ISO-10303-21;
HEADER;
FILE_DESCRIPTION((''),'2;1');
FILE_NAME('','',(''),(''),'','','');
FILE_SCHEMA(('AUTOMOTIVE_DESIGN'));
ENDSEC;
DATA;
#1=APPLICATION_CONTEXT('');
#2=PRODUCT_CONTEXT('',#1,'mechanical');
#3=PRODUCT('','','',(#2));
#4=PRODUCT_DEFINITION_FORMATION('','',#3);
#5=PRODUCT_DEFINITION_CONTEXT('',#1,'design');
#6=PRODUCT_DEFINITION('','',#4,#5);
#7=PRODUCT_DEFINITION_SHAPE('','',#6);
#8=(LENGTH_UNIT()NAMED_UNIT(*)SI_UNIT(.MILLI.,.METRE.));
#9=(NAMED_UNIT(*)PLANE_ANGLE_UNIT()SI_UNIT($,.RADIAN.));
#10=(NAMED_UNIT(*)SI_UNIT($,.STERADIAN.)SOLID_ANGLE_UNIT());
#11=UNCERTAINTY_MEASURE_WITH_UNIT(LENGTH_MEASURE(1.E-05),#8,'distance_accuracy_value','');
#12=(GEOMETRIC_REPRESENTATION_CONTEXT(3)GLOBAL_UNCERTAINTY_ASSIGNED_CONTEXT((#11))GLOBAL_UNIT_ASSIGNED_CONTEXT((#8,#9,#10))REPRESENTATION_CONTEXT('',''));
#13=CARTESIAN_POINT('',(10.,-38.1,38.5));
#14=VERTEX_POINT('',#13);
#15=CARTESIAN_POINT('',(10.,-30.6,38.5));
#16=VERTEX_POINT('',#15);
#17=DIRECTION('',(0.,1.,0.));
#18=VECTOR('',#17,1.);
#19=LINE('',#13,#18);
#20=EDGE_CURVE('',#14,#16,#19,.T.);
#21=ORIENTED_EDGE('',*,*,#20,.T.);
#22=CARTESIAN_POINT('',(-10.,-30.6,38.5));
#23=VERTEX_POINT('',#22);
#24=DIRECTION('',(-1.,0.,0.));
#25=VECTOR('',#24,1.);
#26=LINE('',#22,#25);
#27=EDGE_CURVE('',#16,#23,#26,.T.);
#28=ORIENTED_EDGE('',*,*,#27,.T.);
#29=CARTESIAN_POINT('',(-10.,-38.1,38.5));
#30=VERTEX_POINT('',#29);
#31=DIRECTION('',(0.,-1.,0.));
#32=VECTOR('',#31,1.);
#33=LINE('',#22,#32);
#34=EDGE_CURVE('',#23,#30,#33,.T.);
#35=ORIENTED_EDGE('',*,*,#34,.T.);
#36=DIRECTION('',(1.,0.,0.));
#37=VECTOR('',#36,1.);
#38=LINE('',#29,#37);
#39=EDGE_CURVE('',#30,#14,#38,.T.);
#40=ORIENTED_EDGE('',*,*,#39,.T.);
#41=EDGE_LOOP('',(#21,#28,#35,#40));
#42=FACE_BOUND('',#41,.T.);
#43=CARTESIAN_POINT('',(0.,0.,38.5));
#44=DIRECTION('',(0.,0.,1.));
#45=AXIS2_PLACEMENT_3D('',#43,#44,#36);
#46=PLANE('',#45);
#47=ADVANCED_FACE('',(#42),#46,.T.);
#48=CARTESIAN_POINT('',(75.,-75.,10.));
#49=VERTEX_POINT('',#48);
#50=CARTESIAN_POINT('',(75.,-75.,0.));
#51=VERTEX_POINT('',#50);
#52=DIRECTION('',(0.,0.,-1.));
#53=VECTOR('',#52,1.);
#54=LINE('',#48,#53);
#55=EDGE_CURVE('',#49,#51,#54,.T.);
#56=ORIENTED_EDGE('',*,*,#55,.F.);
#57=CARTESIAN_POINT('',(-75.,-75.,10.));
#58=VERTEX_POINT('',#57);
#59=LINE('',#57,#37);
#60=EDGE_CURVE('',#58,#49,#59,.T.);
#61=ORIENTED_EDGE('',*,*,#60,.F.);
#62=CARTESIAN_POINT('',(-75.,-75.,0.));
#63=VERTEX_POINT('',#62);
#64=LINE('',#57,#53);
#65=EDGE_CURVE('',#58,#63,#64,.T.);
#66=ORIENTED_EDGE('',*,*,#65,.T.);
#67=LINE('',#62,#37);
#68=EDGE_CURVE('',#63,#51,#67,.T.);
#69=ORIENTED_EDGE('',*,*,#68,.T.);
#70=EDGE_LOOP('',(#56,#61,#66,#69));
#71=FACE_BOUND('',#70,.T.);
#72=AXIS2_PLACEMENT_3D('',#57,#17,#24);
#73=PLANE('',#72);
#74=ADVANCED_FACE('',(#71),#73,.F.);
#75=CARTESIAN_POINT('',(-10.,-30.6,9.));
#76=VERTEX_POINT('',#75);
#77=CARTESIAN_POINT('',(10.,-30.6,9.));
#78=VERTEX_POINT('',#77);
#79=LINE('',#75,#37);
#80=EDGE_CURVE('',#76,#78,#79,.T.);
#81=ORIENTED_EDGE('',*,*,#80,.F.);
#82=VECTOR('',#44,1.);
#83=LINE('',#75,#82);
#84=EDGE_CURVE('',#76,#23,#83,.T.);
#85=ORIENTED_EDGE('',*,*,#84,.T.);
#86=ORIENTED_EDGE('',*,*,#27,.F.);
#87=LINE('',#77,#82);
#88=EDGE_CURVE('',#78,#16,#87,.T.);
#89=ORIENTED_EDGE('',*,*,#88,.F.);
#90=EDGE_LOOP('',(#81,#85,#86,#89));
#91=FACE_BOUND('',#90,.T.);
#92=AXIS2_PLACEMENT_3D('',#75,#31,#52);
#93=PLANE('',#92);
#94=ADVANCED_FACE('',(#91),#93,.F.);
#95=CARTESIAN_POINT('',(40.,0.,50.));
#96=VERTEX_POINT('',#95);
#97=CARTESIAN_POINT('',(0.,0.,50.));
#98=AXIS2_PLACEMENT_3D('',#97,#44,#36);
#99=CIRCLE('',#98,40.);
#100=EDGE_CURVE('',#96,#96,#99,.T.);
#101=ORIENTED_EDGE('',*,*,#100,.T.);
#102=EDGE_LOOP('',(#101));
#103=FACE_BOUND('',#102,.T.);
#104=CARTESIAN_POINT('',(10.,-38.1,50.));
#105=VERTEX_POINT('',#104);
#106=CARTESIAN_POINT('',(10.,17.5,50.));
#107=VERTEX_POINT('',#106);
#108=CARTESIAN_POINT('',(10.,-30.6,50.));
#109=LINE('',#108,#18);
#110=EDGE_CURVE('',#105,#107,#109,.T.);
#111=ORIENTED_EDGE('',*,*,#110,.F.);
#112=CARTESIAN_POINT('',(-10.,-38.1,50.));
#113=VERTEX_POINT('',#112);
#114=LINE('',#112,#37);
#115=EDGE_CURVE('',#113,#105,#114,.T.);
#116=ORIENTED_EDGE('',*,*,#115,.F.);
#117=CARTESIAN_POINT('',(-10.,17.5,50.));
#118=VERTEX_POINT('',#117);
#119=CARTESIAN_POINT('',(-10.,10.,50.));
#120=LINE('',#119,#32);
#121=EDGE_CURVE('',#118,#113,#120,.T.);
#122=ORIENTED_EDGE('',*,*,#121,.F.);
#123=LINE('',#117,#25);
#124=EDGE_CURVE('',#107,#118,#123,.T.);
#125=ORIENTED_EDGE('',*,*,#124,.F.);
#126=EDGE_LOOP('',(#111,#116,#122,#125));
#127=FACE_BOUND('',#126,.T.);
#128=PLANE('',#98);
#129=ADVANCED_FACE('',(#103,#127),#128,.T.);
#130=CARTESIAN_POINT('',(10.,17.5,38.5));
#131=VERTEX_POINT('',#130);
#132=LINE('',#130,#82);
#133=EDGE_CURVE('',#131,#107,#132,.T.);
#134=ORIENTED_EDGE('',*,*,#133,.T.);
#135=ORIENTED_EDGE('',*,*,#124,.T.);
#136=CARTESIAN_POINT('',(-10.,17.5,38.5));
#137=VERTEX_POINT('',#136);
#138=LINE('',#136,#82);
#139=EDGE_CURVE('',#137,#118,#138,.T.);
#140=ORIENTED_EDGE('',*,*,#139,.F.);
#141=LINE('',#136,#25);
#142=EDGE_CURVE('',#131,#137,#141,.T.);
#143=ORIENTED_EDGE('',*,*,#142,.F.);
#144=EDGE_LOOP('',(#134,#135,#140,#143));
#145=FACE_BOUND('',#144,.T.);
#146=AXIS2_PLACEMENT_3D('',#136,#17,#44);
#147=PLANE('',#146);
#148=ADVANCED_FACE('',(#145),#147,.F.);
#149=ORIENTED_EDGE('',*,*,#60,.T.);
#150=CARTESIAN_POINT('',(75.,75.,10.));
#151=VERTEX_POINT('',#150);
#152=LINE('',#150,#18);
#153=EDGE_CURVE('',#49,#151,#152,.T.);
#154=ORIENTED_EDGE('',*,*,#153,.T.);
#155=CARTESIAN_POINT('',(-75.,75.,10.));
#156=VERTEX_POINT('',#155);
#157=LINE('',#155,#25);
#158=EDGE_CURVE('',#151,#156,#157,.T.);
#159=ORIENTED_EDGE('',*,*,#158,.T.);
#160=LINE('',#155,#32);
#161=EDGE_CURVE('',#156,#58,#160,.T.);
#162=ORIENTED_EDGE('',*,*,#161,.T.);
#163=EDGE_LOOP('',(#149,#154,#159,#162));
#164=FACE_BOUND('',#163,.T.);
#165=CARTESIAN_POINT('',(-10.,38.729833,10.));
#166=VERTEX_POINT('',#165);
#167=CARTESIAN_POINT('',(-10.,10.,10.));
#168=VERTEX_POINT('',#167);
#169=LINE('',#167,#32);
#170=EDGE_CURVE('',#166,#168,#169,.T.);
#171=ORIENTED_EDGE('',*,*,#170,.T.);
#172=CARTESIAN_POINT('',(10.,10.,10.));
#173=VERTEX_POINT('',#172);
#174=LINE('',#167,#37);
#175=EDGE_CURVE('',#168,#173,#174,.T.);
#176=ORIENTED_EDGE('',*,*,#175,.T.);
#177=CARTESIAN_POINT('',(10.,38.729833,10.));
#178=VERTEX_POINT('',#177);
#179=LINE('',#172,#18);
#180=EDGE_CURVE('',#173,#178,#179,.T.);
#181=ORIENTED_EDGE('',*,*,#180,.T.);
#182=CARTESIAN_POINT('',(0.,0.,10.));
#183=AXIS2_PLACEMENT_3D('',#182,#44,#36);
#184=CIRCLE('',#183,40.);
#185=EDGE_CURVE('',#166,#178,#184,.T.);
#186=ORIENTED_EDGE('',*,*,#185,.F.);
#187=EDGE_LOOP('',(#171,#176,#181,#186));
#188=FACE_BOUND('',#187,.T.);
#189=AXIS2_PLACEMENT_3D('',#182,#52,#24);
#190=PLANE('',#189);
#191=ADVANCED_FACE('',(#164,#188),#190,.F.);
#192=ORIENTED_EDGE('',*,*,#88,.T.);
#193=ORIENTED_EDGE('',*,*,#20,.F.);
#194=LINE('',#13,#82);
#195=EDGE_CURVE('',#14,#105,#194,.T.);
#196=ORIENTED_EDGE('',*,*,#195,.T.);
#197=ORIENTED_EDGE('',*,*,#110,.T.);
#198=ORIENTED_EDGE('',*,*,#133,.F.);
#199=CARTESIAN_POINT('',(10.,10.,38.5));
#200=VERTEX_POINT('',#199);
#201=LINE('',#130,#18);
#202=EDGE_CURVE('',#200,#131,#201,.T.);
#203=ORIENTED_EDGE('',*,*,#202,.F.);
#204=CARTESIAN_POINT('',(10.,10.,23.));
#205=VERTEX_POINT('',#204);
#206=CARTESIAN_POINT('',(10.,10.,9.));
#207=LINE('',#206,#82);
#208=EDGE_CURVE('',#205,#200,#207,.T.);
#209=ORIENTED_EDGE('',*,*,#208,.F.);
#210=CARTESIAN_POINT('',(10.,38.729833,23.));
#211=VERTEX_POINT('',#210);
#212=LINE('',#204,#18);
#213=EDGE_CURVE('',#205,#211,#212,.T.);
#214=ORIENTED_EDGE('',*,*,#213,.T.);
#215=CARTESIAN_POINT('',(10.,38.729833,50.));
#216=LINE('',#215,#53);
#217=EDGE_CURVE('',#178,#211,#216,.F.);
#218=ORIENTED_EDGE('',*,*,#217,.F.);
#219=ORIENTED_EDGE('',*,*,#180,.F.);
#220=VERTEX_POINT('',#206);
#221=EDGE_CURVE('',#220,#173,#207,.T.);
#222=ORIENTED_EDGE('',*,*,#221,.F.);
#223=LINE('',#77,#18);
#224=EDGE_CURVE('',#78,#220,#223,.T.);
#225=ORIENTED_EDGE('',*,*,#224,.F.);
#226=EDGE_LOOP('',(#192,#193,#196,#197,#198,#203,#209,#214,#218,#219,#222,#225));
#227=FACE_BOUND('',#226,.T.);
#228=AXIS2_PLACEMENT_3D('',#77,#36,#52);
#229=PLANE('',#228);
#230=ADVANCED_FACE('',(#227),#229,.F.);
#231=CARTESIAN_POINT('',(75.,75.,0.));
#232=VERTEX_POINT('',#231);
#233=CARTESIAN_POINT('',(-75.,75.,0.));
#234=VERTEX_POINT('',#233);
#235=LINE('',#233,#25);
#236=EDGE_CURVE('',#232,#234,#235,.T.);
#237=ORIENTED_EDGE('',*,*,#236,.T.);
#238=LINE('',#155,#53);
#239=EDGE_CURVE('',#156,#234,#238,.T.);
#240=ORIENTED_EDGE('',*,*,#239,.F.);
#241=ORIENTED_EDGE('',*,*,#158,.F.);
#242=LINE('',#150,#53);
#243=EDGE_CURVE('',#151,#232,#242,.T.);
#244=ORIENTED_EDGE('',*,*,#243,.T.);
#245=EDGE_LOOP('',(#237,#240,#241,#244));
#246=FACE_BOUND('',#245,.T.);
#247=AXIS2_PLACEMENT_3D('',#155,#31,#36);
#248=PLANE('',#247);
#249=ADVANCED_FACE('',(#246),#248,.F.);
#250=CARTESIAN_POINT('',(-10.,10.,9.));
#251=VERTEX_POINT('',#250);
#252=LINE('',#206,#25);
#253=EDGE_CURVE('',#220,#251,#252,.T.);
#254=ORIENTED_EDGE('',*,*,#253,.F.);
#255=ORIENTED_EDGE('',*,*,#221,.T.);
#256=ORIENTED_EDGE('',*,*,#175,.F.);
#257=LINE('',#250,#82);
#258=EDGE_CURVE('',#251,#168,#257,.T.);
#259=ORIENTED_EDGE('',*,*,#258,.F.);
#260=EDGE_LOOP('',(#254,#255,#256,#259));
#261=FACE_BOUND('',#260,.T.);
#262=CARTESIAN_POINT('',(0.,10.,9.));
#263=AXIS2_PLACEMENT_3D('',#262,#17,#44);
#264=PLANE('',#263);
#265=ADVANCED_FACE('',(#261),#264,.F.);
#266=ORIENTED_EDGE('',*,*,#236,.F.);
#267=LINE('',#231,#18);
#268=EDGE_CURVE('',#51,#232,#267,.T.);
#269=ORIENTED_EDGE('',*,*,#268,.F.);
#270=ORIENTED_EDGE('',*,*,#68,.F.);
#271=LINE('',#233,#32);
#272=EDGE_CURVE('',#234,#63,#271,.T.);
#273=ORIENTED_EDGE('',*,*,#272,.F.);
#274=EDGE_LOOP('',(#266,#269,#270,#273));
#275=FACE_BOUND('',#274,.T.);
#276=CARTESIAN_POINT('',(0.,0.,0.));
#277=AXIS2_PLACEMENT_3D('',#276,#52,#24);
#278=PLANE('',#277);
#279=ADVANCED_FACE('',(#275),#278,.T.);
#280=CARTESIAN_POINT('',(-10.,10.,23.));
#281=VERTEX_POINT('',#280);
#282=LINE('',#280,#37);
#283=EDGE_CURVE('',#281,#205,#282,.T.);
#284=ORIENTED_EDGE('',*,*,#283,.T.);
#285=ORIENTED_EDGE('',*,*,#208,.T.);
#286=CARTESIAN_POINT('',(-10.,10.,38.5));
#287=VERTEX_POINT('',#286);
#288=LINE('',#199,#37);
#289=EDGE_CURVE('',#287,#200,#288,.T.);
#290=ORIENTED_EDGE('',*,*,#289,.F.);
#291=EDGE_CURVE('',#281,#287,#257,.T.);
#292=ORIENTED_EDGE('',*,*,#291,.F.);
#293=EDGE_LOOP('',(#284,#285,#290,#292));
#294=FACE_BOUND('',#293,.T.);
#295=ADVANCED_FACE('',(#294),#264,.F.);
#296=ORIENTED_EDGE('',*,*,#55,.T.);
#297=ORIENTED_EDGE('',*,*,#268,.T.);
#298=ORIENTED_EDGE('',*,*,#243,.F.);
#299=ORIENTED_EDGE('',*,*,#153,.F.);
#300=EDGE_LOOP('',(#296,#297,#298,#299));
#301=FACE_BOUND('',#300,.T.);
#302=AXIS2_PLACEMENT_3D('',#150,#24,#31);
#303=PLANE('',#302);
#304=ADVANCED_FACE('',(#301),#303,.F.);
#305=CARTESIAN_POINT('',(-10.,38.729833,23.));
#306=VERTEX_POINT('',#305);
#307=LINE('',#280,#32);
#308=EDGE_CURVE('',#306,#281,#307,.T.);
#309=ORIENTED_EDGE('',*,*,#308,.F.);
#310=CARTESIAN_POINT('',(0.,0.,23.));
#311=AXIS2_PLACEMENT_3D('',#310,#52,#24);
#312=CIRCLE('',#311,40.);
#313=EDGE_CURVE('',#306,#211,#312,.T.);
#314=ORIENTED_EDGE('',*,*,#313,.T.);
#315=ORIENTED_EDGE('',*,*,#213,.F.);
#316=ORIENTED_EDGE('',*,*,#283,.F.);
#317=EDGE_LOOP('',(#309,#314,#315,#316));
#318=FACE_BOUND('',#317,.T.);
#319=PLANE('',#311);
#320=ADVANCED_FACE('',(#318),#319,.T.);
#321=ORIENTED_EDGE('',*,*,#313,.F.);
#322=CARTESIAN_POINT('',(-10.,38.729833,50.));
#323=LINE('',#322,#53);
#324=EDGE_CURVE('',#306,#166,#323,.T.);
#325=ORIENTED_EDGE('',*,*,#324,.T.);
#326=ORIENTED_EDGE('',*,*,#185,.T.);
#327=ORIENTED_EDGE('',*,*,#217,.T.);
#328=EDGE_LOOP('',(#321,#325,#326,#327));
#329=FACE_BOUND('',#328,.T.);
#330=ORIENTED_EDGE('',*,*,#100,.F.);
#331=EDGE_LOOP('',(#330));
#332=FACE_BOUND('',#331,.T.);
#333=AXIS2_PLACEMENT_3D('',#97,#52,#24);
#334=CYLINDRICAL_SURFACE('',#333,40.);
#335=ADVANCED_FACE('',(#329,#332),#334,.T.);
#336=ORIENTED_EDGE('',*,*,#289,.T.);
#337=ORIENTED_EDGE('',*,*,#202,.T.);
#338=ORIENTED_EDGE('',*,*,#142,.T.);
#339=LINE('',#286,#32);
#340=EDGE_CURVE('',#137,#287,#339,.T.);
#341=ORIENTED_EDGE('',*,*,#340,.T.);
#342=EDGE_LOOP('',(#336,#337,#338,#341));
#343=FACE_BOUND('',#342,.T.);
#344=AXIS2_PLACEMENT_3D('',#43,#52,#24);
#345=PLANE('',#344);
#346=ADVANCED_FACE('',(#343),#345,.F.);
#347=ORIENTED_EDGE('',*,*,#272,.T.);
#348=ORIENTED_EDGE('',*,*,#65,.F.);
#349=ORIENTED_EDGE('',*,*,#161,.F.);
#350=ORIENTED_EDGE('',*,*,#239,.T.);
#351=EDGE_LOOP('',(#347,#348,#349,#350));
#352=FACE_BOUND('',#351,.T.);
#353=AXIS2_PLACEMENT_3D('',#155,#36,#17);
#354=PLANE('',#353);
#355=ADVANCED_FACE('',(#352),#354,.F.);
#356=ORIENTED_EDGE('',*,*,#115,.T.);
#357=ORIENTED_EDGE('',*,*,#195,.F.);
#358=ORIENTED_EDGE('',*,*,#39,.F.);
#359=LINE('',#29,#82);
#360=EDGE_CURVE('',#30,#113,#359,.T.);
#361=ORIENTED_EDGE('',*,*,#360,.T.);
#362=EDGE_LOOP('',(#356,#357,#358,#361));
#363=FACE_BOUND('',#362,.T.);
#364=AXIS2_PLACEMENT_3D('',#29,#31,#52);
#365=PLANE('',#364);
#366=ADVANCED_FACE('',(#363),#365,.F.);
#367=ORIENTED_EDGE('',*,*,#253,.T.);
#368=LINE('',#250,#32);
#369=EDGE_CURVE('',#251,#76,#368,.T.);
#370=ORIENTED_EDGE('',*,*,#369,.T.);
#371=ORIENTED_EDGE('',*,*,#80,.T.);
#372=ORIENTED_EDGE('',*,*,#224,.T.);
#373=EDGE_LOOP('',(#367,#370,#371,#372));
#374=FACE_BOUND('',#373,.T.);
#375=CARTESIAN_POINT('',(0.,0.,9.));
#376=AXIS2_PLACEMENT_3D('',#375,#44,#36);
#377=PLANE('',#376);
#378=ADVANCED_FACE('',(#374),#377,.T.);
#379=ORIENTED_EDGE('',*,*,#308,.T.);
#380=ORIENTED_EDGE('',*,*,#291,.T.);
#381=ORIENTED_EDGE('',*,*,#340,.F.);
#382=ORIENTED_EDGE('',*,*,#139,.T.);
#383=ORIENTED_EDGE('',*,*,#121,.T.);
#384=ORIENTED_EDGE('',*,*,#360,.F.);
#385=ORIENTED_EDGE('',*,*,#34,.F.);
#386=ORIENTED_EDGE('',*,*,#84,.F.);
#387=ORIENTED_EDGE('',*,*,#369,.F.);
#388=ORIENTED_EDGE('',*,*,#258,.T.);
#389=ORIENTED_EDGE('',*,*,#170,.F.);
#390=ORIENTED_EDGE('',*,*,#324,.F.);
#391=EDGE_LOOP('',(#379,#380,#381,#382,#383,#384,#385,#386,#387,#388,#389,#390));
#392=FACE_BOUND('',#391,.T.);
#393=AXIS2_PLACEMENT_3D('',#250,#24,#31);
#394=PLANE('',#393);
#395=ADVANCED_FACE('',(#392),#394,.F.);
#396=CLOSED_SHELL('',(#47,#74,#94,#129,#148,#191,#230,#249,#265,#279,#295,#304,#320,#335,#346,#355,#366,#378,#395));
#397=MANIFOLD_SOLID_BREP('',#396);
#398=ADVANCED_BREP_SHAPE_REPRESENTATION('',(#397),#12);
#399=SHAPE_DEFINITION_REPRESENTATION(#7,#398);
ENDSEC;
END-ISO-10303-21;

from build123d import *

# Parameters (mm, degrees)
CROQUIS1_W              = 150
CROQUIS1_H              = 150
SALIENTE_EXTRUIR1_DEPTH = 10
CROQUIS2_R              = 40
SALIENTE_EXTRUIR2_DEPTH = 40
CORTAR_EXTRUIR1_DEPTH   = 41
CROQUIS4_W              = 20
CROQUIS4_H              = 7.5
CORTAR_EXTRUIR2_DEPTH   = 11.5
CORTAR_EXTRUIR3_START   = -27
CROQUIS5_W              = 20
CROQUIS5_H              = 34.531245334
CORTAR_EXTRUIR3_DEPTH   = 13


with BuildPart() as part:
    # Croquis1 → Saliente-Extruir1 (new body)
    with BuildSketch(Plane(origin=(0, 0, 0), x_dir=(0, 1, 0), z_dir=(0, 0, 1))):
        Rectangle(CROQUIS1_W, CROQUIS1_H)
    extrude(amount=SALIENTE_EXTRUIR1_DEPTH)

    # Croquis2 → Saliente-Extruir2 (add)
    with BuildSketch(Plane.XY.offset(10)):
        Circle(CROQUIS2_R)
    extrude(amount=SALIENTE_EXTRUIR2_DEPTH)

    # Croquis3 → Cortar-Extruir1 (cut)
    with BuildSketch(Plane.XY.offset(50)):
        Polygon((0, 10), (-10, 10), (-10, -30.6), (10, -30.6), (10, 10), align=None)
    extrude(amount=-CORTAR_EXTRUIR1_DEPTH, mode=Mode.SUBTRACT)

    # Croquis4 → Cortar-Extruir2 (cut)
    with BuildSketch(Plane.XY.offset(50)):
        with Locations((0, -34.35)):
            Rectangle(CROQUIS4_W, CROQUIS4_H)
        with Locations((0, 13.75)):
            Rectangle(CROQUIS4_W, CROQUIS4_H)
    extrude(amount=-CORTAR_EXTRUIR2_DEPTH, mode=Mode.SUBTRACT)

    # Croquis5 → Cortar-Extruir3 (cut)
    with BuildSketch(Plane.XY.offset(50).offset(CORTAR_EXTRUIR3_START)):
        with Locations((0, 27.265622667)):
            Rectangle(CROQUIS5_W, CROQUIS5_H)
    extrude(amount=-CORTAR_EXTRUIR3_DEPTH, mode=Mode.SUBTRACT)


solid = part.part
